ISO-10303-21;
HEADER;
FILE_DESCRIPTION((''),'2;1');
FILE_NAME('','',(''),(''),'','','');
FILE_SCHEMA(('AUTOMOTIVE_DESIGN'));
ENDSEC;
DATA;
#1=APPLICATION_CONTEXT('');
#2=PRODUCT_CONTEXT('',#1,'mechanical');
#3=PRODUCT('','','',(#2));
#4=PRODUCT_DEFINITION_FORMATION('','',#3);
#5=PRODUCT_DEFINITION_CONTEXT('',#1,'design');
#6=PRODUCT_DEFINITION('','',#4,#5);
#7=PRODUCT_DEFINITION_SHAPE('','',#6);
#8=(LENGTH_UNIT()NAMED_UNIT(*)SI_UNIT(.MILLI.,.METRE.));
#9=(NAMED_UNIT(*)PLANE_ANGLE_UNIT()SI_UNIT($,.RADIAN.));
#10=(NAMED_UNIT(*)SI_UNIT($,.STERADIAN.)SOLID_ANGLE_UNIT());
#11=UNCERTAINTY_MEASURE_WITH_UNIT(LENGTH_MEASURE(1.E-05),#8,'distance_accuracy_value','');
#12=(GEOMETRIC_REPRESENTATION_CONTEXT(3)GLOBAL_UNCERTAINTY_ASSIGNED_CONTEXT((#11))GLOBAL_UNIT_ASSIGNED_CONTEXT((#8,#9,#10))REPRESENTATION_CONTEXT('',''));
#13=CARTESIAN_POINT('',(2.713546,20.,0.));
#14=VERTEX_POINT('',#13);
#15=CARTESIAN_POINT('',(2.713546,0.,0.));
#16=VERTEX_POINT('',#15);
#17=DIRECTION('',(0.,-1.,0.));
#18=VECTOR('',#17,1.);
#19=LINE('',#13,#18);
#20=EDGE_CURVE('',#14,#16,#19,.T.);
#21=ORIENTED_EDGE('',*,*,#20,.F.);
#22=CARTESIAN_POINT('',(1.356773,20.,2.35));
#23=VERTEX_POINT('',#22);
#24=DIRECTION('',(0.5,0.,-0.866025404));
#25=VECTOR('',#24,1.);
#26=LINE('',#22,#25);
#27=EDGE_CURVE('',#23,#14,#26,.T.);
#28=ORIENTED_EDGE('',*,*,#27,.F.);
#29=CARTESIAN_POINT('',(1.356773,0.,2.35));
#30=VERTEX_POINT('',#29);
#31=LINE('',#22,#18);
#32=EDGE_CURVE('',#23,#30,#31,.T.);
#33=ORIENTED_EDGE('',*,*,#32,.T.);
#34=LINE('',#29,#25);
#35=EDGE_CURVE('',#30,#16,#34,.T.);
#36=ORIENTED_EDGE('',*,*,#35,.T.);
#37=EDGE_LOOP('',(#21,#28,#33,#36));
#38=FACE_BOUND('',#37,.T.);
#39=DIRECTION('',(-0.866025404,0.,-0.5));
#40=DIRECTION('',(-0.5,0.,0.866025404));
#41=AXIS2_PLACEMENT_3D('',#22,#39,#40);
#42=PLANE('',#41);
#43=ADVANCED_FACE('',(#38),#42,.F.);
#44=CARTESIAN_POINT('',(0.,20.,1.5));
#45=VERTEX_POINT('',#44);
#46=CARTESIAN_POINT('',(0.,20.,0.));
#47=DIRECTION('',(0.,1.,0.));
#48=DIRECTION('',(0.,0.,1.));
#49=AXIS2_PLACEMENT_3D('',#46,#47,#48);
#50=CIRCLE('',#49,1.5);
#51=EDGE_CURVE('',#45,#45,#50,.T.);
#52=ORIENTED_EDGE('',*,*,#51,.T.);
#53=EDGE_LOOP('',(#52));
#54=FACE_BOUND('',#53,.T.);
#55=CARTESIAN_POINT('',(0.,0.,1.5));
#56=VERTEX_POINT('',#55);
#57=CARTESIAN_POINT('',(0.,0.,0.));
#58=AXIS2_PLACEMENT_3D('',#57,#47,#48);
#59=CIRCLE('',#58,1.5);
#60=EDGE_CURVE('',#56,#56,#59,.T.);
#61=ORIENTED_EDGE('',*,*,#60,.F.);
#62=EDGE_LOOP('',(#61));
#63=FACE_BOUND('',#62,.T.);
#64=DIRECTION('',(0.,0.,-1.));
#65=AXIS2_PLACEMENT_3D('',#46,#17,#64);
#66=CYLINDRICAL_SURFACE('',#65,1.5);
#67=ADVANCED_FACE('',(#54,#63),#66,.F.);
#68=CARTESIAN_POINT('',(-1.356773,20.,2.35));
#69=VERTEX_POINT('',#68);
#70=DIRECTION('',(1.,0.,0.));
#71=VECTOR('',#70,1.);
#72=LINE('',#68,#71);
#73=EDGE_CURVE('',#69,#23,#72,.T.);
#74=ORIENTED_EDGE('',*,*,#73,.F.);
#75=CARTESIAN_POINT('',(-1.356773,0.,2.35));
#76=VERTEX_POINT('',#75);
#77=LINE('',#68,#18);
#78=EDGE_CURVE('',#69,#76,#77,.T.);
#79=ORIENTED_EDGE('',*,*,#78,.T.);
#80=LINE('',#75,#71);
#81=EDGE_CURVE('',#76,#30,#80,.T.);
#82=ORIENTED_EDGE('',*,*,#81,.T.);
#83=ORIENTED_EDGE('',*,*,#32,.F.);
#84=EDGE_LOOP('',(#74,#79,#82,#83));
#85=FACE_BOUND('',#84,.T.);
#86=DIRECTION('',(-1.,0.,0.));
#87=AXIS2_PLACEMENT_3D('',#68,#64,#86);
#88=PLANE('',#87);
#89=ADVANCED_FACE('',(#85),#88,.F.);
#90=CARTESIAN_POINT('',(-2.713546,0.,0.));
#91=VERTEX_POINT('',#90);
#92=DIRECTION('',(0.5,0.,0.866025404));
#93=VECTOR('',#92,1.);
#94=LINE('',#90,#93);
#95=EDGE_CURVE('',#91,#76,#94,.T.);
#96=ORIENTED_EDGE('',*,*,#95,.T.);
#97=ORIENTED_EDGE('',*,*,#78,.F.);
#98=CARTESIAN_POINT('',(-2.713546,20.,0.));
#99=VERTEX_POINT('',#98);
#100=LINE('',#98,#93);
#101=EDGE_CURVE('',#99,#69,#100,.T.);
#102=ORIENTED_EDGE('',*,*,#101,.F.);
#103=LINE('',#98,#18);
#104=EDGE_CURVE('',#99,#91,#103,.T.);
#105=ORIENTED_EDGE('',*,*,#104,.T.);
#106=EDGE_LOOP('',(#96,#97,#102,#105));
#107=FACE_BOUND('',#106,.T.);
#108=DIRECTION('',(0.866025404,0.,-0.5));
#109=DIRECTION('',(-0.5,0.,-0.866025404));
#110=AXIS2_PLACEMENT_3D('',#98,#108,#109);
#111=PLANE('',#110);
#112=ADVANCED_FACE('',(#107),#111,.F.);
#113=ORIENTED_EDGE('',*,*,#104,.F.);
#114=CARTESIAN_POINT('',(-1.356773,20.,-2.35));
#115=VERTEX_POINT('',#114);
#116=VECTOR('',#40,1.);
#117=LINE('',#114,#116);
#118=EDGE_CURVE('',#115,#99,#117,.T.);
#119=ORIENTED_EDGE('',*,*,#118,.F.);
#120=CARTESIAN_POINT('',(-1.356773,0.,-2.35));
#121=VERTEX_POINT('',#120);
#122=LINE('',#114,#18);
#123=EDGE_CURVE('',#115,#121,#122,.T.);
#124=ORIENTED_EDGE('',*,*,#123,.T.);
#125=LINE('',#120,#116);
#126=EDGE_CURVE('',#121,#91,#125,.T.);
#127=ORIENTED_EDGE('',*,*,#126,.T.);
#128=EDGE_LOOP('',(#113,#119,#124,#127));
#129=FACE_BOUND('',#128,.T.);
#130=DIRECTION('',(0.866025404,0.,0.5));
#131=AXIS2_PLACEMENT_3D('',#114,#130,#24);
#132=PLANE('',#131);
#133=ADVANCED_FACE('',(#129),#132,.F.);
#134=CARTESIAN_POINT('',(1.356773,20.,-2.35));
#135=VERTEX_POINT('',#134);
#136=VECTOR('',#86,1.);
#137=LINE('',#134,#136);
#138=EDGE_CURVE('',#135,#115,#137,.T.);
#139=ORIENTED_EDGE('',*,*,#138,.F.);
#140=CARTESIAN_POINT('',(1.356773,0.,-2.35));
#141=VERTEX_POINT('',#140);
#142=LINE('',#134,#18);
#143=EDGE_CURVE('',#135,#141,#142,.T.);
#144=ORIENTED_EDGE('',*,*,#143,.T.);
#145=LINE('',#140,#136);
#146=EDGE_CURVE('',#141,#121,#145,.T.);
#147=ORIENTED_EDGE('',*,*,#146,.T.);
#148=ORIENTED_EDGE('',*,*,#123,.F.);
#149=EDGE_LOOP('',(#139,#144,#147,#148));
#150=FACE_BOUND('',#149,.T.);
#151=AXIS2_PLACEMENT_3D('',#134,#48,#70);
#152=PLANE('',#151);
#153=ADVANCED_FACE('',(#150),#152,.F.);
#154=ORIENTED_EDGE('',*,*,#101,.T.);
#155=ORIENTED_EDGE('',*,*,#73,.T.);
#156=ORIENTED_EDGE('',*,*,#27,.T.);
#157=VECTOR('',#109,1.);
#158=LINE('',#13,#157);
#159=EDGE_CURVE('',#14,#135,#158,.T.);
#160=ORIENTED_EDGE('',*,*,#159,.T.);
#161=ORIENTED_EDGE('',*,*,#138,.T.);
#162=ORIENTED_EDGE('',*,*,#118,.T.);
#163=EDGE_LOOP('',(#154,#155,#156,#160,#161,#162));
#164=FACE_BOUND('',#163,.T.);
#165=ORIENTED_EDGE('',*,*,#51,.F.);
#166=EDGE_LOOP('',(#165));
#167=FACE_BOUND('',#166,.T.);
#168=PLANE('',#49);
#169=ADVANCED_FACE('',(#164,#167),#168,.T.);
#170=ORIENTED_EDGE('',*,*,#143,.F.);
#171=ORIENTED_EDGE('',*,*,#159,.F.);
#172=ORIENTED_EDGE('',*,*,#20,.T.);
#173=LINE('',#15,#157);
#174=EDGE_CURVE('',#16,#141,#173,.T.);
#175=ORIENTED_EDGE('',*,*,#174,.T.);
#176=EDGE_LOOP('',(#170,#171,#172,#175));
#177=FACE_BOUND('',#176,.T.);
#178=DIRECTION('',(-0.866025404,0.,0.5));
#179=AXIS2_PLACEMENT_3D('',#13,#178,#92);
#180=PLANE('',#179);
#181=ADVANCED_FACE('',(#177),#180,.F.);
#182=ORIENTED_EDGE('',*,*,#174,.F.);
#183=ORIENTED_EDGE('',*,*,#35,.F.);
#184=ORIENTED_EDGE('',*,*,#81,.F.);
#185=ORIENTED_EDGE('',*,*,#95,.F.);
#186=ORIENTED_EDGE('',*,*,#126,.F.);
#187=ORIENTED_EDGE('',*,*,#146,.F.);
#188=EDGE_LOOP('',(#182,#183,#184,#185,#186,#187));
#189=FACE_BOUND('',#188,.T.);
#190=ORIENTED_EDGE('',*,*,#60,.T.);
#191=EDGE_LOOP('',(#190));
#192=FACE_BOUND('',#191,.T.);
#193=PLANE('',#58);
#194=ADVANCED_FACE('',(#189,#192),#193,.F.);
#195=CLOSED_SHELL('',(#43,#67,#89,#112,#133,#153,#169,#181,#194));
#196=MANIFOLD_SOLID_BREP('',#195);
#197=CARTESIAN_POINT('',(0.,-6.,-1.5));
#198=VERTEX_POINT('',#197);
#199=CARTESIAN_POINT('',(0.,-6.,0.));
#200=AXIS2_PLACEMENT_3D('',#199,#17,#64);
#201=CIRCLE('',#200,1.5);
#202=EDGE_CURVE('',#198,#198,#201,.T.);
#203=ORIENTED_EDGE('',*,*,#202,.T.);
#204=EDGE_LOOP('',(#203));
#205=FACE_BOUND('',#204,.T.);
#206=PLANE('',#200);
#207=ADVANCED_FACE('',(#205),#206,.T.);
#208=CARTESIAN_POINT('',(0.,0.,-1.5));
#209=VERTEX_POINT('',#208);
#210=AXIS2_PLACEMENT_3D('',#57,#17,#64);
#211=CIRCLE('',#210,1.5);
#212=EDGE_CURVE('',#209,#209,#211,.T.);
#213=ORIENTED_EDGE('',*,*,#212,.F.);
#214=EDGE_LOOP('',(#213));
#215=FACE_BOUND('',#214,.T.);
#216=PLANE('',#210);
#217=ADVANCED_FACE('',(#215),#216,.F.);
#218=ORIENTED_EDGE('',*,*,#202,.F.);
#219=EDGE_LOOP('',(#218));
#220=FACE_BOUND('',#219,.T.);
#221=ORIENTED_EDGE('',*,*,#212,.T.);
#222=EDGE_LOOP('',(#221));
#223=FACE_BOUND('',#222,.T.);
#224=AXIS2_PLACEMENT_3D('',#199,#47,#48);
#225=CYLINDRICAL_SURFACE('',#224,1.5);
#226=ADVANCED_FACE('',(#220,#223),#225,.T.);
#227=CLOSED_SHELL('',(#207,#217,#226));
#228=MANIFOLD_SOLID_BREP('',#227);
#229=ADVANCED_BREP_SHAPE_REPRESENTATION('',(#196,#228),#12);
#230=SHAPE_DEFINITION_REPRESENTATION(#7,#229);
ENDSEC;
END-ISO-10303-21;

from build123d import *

# Parameters (mm, degrees)
SKETCH_1_R          = 1.5
EXTRUDE_1_DEPTH     = 20
SKETCH1_R           = 1.5
BOSS_EXTRUDE1_DEPTH = 6


with BuildPart() as part:
    # 草图1 → 凸台-拉伸1 (new body)
    with BuildSketch(Plane(origin=(0, 0, 0), x_dir=(1, 0, 0), z_dir=(0, 1, 0))):
        Polygon((2.713546265, 0), (1.356773133, 2.35), (-1.356773133, 2.35), (-2.713546265, 0), (-1.356773133, -2.35), (1.356773133, -2.35), align=None)
        with Locations(Location((0, 0, 0), (0, 0, 270))):
            Circle(SKETCH_1_R, mode=Mode.SUBTRACT)
    extrude(amount=EXTRUDE_1_DEPTH)


with BuildPart() as body_2:
    # Sketch1 → Boss-Extrude1 (new body)
    with BuildSketch(Plane.XZ):
        with Locations(Location((0, 0, 0), (0, 0, 270))):
            Circle(SKETCH1_R)
    extrude(amount=BOSS_EXTRUDE1_DEPTH)


solid = Compound([part.part, body_2.part])
